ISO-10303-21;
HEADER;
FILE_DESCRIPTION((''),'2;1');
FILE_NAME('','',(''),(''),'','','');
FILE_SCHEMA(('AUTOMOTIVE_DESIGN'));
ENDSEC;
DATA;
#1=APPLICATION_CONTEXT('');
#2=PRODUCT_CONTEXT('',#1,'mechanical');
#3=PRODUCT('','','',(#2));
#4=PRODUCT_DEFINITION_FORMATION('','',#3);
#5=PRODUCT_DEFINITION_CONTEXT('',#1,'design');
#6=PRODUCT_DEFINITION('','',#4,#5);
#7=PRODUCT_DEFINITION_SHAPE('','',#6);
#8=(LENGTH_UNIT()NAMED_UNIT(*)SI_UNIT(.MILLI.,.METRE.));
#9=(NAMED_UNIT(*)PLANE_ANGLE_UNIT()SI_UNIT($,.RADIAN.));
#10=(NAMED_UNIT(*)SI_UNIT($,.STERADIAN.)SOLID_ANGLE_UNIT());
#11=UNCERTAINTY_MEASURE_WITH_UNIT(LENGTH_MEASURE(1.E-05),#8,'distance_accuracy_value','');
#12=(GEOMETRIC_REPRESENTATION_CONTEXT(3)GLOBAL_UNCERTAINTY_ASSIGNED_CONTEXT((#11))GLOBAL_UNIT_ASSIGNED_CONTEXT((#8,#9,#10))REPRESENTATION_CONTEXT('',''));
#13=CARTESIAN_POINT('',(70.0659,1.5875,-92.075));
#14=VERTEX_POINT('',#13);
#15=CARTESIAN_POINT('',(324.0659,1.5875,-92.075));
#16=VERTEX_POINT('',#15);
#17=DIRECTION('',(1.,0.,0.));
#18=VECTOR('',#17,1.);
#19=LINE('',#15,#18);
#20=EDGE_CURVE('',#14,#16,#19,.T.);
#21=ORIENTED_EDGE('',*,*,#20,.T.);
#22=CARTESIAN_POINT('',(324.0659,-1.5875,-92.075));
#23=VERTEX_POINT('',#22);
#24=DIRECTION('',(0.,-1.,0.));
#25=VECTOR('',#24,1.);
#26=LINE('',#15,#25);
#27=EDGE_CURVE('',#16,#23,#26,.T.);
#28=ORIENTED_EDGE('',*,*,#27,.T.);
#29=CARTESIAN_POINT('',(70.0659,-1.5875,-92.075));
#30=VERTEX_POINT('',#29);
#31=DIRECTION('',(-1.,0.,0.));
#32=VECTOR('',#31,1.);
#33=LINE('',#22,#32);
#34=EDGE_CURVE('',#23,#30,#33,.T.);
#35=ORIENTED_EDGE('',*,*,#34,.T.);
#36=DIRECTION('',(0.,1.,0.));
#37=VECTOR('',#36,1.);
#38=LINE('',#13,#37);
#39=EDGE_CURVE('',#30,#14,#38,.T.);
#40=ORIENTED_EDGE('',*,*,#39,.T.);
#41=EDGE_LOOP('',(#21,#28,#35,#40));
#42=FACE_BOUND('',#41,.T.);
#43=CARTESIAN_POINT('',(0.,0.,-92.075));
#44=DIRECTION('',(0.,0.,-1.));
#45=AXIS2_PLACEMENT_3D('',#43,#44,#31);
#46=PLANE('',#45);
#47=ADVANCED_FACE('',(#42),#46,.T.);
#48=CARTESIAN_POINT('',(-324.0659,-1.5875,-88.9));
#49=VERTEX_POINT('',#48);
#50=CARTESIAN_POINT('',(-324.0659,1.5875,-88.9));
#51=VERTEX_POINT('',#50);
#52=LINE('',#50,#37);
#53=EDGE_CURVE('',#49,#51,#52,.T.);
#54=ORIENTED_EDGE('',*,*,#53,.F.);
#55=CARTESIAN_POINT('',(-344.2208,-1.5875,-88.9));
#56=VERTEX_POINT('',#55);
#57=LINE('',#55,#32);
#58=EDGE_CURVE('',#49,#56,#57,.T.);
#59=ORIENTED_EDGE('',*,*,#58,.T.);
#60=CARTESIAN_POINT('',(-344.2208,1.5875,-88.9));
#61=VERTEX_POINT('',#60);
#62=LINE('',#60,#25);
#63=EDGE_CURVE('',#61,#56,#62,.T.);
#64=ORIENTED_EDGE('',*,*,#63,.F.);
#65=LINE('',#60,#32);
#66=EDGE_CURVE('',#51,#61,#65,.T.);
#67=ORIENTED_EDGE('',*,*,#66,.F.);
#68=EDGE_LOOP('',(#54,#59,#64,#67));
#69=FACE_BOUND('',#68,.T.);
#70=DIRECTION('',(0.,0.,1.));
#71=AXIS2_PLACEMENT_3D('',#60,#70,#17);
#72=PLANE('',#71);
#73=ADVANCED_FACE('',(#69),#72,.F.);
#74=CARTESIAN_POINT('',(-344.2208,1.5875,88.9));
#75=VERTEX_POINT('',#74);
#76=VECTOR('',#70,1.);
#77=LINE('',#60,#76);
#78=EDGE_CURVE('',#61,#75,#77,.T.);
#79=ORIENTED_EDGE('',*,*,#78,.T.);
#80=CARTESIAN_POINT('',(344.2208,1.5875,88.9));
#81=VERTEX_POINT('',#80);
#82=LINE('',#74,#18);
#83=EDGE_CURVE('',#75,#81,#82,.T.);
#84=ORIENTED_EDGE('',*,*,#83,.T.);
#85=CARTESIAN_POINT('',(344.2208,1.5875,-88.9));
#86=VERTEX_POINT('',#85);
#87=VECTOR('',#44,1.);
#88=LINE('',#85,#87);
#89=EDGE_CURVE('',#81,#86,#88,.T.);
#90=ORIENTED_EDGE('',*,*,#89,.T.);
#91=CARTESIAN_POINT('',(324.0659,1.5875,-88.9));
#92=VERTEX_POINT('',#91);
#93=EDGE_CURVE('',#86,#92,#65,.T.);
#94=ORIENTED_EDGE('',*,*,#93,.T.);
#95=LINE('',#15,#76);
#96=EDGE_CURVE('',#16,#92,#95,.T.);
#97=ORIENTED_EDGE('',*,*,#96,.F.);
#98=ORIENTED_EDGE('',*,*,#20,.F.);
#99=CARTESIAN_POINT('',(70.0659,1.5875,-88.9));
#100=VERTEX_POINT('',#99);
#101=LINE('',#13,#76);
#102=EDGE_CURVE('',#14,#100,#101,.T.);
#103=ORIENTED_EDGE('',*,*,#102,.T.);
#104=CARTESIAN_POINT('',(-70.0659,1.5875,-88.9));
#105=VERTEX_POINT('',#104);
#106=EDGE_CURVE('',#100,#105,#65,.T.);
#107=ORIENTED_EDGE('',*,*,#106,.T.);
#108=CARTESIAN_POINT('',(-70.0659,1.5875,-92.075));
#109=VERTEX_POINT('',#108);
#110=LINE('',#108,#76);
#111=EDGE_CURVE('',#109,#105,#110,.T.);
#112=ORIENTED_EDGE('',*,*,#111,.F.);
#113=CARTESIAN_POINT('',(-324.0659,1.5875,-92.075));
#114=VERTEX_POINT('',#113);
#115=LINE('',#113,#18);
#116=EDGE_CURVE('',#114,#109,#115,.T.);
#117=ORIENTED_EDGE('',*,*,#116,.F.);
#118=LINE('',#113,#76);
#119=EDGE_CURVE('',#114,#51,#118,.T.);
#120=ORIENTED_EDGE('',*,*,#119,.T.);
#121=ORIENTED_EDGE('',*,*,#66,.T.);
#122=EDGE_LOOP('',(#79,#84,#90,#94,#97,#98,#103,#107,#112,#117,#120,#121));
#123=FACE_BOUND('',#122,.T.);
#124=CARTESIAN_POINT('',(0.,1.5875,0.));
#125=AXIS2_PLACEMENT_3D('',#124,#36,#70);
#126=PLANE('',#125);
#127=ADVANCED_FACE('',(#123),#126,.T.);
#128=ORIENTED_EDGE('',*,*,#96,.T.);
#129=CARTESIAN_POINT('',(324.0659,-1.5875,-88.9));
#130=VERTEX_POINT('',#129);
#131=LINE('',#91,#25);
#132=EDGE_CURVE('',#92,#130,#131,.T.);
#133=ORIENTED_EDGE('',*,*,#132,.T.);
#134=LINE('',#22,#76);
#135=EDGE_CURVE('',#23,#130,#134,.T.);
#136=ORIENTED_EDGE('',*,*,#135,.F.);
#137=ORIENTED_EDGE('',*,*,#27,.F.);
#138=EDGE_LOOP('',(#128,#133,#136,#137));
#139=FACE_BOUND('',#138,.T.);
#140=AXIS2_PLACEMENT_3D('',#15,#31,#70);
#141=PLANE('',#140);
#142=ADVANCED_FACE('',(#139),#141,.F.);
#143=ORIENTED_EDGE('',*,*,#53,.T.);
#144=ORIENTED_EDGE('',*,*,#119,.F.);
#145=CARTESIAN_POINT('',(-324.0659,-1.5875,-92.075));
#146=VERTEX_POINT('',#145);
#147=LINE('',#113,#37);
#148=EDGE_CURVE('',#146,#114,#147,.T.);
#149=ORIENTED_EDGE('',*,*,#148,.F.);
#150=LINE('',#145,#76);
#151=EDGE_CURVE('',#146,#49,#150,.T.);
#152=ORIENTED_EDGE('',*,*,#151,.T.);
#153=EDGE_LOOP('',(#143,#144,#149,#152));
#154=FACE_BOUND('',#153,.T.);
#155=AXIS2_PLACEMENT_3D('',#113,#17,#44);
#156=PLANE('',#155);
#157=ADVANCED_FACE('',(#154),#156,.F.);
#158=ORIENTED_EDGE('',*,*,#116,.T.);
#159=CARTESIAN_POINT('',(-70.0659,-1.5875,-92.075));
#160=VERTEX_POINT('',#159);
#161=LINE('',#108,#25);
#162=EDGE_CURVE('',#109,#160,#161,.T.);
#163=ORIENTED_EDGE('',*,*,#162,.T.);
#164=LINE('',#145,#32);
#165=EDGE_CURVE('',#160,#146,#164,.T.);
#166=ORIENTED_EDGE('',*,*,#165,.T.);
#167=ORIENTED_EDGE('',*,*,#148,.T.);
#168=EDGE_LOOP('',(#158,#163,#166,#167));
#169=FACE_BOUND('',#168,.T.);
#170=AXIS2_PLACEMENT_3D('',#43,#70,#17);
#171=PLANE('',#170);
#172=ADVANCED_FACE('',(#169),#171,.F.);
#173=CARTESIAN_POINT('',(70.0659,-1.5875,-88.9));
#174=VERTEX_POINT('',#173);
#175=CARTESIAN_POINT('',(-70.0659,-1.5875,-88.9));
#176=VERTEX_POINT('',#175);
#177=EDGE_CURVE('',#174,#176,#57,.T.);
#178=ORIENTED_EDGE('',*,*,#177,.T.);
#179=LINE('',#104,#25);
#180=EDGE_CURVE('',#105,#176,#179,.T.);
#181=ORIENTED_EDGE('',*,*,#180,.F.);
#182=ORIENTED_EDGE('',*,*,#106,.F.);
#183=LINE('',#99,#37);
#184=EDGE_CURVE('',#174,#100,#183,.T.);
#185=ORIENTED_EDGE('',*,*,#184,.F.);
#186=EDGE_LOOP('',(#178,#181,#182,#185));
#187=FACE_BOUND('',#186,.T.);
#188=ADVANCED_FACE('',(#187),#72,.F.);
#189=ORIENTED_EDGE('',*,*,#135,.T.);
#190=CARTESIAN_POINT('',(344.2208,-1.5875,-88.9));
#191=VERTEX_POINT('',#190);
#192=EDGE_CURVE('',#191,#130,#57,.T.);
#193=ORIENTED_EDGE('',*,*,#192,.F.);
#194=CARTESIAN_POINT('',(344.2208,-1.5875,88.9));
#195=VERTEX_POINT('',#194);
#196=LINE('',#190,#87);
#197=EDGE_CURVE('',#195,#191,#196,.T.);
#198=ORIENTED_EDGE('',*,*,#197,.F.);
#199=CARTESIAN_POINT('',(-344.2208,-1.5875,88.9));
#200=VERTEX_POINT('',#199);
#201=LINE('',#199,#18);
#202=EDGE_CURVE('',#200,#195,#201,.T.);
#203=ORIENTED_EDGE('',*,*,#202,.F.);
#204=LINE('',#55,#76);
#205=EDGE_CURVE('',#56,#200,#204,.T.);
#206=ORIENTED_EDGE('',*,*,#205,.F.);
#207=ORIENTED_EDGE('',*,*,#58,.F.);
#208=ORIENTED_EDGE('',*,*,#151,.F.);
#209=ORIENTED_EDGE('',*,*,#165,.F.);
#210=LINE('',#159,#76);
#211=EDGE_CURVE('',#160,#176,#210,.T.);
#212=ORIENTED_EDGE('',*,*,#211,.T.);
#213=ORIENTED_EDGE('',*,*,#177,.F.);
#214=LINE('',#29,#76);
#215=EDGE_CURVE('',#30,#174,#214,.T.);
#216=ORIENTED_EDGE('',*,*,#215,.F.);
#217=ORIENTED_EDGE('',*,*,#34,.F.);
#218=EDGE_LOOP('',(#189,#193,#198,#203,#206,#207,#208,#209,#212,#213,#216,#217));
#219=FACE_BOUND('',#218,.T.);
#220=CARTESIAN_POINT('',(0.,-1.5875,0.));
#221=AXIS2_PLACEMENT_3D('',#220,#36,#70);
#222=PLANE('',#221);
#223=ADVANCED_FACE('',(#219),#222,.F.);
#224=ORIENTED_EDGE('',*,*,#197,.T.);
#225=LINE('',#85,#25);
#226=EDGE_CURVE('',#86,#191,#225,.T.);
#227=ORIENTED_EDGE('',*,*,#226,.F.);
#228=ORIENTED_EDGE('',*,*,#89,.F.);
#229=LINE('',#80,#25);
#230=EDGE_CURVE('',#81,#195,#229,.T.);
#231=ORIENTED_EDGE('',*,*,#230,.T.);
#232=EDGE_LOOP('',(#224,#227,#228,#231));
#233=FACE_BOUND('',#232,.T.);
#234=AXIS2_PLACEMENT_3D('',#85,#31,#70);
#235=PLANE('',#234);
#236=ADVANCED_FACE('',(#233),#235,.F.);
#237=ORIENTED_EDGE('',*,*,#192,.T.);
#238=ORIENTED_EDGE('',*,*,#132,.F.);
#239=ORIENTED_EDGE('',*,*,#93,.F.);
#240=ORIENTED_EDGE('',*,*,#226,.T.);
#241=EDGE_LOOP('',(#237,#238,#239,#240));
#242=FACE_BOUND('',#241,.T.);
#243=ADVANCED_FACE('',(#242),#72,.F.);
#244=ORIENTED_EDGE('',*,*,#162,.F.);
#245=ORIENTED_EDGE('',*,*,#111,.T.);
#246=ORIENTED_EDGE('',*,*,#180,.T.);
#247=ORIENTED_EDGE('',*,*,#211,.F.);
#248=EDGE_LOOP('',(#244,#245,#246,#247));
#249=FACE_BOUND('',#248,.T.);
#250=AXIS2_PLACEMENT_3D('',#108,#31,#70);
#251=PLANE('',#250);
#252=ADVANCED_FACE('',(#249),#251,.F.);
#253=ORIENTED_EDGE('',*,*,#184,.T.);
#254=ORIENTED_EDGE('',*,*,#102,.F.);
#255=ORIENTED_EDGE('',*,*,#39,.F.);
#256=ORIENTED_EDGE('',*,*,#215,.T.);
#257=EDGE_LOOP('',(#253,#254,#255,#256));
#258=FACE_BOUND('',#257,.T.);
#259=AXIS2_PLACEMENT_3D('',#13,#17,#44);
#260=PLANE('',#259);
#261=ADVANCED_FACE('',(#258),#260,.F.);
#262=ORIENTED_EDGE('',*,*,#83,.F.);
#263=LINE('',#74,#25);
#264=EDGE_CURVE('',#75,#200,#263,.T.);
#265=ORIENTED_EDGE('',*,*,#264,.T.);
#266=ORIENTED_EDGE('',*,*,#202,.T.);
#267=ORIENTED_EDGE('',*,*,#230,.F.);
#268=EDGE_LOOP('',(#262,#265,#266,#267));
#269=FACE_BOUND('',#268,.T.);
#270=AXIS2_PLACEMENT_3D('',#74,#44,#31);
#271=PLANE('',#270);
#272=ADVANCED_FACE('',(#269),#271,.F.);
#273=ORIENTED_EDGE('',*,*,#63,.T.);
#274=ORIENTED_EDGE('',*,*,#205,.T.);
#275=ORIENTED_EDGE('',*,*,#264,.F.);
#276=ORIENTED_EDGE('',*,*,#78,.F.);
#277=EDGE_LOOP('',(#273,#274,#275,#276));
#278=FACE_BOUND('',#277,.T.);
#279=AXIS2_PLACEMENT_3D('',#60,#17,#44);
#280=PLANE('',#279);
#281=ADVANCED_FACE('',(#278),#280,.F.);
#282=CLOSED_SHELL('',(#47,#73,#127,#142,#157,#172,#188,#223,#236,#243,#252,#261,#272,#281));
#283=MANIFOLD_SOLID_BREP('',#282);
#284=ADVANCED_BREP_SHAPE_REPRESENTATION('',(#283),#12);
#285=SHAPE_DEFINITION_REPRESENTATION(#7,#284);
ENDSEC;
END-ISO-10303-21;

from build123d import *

# Parameters (mm, degrees)
SKETCH1_W           = 688.4416
SKETCH1_H           = 177.8
BOSS_EXTRUDE1_DEPTH = 1.5875
SKETCH2_W           = 254
SKETCH2_H           = 3.175
BOSS_EXTRUDE2_DEPTH = 3.175


with BuildPart() as part:
    # Sketch1 → Boss-Extrude1 (new, symmetric)
    with BuildSketch(Plane(origin=(0, 0, 0), x_dir=(1, 0, 0), z_dir=(0, 1, 0))):
        Rectangle(SKETCH1_W, SKETCH1_H)
    extrude(amount=BOSS_EXTRUDE1_DEPTH, both=True)

    # Sketch2 → Boss-Extrude2 (add)
    with BuildSketch(Plane(origin=(0, 0, -88.9), x_dir=(-1, 0, 0), z_dir=(0, 0, -1))):
        with Locations((-197.0659, 0)):
            Rectangle(SKETCH2_W, SKETCH2_H)
        with Locations((197.0659, 0)):
            Rectangle(SKETCH2_W, SKETCH2_H)
    extrude(amount=BOSS_EXTRUDE2_DEPTH)


solid = part.part
